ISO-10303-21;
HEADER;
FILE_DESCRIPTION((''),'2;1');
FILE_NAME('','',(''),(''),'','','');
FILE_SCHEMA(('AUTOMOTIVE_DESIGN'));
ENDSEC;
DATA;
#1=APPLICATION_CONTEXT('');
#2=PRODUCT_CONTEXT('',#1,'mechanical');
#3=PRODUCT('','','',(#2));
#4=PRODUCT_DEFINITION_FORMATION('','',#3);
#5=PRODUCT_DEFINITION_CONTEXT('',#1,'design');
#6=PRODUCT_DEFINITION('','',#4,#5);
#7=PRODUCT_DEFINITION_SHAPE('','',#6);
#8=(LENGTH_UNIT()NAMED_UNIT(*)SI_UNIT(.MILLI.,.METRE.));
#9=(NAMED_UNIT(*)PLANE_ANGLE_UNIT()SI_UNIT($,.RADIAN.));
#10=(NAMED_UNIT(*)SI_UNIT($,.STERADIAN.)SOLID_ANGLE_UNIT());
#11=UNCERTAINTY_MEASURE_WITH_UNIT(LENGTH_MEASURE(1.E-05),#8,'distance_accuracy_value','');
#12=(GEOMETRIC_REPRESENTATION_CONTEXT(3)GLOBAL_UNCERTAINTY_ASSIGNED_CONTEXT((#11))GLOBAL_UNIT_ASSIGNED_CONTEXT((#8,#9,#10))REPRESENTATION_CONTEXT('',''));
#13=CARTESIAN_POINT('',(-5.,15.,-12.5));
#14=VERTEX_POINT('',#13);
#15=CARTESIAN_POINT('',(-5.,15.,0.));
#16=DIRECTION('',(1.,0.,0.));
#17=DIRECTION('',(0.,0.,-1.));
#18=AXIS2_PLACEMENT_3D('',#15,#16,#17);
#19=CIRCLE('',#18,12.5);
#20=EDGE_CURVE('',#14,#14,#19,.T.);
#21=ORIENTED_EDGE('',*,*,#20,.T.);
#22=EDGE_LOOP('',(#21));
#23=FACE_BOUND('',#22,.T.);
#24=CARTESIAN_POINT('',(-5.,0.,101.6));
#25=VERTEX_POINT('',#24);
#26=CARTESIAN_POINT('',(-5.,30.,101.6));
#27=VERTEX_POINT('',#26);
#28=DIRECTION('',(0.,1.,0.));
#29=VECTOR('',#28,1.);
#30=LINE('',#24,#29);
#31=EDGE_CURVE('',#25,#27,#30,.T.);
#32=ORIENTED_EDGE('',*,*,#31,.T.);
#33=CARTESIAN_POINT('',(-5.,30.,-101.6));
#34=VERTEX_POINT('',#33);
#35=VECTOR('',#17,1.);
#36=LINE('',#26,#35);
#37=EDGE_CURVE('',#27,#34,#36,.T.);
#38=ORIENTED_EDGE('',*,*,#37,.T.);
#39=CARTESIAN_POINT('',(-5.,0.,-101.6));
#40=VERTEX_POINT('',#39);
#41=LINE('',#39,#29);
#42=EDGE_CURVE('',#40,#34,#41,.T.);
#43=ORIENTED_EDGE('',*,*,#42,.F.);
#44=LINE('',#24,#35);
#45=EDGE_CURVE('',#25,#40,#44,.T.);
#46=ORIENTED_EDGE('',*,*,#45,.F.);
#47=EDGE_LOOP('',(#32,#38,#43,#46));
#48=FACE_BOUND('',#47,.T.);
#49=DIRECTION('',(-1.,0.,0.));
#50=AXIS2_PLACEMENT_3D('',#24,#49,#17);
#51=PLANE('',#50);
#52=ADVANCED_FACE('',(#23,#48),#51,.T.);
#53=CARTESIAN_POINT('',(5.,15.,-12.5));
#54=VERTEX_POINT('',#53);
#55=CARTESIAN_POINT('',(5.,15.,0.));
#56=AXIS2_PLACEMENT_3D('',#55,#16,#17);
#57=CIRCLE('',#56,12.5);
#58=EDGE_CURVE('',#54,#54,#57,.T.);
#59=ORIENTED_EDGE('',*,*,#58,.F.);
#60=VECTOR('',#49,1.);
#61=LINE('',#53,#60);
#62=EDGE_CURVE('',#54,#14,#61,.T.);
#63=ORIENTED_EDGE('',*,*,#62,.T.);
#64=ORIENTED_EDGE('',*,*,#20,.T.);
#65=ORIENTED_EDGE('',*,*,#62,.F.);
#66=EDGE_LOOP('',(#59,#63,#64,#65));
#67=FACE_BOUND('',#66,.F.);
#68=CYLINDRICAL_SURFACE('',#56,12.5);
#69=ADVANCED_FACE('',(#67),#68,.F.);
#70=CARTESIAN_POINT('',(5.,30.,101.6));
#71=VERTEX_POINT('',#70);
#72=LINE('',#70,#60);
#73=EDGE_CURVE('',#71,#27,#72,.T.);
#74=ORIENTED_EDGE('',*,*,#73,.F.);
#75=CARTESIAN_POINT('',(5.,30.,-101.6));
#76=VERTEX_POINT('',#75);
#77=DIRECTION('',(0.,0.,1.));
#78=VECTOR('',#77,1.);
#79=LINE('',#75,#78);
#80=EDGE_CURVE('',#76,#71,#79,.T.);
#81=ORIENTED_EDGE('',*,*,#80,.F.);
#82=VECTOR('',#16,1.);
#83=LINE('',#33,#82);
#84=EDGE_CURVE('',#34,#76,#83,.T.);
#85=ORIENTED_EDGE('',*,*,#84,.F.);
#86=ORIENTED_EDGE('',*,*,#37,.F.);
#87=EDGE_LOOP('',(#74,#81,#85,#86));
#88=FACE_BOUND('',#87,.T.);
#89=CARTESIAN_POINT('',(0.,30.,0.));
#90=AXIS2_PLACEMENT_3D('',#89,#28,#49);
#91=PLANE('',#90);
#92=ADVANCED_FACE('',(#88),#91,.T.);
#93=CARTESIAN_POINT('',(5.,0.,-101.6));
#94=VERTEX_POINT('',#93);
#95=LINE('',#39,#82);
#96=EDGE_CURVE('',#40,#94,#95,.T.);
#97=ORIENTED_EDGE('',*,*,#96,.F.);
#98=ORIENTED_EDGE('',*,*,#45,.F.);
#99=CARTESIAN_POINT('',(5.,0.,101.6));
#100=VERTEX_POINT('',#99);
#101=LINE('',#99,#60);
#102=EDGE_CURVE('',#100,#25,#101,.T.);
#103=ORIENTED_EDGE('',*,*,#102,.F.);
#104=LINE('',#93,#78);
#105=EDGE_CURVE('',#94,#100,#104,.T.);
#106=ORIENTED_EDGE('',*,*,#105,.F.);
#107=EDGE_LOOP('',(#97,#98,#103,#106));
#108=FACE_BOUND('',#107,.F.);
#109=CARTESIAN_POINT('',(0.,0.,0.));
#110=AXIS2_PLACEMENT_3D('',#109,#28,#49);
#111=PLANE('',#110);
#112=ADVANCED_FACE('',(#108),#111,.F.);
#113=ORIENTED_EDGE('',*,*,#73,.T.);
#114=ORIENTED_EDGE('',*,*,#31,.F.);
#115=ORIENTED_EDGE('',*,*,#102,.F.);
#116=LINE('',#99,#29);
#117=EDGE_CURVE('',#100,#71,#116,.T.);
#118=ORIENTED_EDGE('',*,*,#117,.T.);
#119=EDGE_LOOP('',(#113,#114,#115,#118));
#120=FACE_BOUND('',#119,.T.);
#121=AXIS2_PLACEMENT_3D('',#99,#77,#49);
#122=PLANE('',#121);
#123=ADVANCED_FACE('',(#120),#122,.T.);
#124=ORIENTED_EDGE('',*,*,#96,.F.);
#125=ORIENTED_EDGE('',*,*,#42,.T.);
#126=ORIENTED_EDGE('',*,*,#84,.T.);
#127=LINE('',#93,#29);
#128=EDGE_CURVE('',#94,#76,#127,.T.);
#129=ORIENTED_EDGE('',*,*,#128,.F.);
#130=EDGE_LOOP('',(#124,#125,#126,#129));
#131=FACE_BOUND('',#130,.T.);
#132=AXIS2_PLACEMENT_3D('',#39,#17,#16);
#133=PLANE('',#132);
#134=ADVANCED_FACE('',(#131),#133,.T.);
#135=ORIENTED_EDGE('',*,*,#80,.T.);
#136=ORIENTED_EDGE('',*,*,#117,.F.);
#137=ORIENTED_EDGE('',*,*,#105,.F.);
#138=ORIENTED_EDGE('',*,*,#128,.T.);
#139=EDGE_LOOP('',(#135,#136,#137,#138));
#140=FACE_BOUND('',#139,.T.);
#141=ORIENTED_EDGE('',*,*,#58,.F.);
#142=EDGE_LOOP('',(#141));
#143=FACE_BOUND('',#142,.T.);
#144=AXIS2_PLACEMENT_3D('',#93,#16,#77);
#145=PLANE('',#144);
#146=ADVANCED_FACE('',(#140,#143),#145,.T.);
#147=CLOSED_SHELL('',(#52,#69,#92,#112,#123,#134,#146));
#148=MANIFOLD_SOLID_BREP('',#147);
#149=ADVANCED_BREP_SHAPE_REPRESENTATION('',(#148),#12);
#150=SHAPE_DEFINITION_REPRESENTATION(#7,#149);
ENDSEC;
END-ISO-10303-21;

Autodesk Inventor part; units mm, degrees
ref_plane "YZ Plane" through (0, 0, 0) normal (1, 0, 0) x (0, 1, 0)
ref_plane "XZ Plane" through (0, 0, 0) normal (0, 1, 0) x (-1, 0, 0)
ref_plane "XY Plane" through (0, 0, 0) normal (0, 0, 1) x (1, 0, 0)
sketch "Esboço1" plane through (0, 0, 0) normal (0, 1, 0) x (-1, 0, 0)
  line L0 (-5, 101.6) -> (5, 101.6)
  line L1 (5, 101.6) -> (5, -101.6)
  line L2 (5, -101.6) -> (-5, -101.6)
  line L3 (-5, -101.6) -> (-5, 101.6)
  line L4 (-5, 101.6) -> (5, -101.6) construction
  line L5 (5, 101.6) -> (-5, -101.6) construction
  point P0 (0, 0)
  dimension "d0" = 203.2
  dimension "d1" = 10
extrude "Extrusão1" add sketch "Esboço1" along normal blind 30
sketch "Esboço3" plane through (5, 0, 101.6) normal (1, 0, 0) x (0, 0, -1)
  line L0 (203.2, 30) -> (0, 30) projected
  circle A0 centre (101.6, 15) radius 12.5
  line L1 (0, 0) -> (203.2, 0) projected
  line L2 (203.2, 0) -> (203.2, 30) projected
  line L3 (203.2, 0) -> (0, 0) projected
  point P0 (101.6, 0)
  point P1 (101.6, 0)
  point P2 (101.6, 0)
  dimension "d4" = 25
  dimension "d7" = 15
  dimension "d10" = 0
extrude "Extrusão2" cut sketch "Esboço3" against normal blind 30
properties part number "exHelice"
